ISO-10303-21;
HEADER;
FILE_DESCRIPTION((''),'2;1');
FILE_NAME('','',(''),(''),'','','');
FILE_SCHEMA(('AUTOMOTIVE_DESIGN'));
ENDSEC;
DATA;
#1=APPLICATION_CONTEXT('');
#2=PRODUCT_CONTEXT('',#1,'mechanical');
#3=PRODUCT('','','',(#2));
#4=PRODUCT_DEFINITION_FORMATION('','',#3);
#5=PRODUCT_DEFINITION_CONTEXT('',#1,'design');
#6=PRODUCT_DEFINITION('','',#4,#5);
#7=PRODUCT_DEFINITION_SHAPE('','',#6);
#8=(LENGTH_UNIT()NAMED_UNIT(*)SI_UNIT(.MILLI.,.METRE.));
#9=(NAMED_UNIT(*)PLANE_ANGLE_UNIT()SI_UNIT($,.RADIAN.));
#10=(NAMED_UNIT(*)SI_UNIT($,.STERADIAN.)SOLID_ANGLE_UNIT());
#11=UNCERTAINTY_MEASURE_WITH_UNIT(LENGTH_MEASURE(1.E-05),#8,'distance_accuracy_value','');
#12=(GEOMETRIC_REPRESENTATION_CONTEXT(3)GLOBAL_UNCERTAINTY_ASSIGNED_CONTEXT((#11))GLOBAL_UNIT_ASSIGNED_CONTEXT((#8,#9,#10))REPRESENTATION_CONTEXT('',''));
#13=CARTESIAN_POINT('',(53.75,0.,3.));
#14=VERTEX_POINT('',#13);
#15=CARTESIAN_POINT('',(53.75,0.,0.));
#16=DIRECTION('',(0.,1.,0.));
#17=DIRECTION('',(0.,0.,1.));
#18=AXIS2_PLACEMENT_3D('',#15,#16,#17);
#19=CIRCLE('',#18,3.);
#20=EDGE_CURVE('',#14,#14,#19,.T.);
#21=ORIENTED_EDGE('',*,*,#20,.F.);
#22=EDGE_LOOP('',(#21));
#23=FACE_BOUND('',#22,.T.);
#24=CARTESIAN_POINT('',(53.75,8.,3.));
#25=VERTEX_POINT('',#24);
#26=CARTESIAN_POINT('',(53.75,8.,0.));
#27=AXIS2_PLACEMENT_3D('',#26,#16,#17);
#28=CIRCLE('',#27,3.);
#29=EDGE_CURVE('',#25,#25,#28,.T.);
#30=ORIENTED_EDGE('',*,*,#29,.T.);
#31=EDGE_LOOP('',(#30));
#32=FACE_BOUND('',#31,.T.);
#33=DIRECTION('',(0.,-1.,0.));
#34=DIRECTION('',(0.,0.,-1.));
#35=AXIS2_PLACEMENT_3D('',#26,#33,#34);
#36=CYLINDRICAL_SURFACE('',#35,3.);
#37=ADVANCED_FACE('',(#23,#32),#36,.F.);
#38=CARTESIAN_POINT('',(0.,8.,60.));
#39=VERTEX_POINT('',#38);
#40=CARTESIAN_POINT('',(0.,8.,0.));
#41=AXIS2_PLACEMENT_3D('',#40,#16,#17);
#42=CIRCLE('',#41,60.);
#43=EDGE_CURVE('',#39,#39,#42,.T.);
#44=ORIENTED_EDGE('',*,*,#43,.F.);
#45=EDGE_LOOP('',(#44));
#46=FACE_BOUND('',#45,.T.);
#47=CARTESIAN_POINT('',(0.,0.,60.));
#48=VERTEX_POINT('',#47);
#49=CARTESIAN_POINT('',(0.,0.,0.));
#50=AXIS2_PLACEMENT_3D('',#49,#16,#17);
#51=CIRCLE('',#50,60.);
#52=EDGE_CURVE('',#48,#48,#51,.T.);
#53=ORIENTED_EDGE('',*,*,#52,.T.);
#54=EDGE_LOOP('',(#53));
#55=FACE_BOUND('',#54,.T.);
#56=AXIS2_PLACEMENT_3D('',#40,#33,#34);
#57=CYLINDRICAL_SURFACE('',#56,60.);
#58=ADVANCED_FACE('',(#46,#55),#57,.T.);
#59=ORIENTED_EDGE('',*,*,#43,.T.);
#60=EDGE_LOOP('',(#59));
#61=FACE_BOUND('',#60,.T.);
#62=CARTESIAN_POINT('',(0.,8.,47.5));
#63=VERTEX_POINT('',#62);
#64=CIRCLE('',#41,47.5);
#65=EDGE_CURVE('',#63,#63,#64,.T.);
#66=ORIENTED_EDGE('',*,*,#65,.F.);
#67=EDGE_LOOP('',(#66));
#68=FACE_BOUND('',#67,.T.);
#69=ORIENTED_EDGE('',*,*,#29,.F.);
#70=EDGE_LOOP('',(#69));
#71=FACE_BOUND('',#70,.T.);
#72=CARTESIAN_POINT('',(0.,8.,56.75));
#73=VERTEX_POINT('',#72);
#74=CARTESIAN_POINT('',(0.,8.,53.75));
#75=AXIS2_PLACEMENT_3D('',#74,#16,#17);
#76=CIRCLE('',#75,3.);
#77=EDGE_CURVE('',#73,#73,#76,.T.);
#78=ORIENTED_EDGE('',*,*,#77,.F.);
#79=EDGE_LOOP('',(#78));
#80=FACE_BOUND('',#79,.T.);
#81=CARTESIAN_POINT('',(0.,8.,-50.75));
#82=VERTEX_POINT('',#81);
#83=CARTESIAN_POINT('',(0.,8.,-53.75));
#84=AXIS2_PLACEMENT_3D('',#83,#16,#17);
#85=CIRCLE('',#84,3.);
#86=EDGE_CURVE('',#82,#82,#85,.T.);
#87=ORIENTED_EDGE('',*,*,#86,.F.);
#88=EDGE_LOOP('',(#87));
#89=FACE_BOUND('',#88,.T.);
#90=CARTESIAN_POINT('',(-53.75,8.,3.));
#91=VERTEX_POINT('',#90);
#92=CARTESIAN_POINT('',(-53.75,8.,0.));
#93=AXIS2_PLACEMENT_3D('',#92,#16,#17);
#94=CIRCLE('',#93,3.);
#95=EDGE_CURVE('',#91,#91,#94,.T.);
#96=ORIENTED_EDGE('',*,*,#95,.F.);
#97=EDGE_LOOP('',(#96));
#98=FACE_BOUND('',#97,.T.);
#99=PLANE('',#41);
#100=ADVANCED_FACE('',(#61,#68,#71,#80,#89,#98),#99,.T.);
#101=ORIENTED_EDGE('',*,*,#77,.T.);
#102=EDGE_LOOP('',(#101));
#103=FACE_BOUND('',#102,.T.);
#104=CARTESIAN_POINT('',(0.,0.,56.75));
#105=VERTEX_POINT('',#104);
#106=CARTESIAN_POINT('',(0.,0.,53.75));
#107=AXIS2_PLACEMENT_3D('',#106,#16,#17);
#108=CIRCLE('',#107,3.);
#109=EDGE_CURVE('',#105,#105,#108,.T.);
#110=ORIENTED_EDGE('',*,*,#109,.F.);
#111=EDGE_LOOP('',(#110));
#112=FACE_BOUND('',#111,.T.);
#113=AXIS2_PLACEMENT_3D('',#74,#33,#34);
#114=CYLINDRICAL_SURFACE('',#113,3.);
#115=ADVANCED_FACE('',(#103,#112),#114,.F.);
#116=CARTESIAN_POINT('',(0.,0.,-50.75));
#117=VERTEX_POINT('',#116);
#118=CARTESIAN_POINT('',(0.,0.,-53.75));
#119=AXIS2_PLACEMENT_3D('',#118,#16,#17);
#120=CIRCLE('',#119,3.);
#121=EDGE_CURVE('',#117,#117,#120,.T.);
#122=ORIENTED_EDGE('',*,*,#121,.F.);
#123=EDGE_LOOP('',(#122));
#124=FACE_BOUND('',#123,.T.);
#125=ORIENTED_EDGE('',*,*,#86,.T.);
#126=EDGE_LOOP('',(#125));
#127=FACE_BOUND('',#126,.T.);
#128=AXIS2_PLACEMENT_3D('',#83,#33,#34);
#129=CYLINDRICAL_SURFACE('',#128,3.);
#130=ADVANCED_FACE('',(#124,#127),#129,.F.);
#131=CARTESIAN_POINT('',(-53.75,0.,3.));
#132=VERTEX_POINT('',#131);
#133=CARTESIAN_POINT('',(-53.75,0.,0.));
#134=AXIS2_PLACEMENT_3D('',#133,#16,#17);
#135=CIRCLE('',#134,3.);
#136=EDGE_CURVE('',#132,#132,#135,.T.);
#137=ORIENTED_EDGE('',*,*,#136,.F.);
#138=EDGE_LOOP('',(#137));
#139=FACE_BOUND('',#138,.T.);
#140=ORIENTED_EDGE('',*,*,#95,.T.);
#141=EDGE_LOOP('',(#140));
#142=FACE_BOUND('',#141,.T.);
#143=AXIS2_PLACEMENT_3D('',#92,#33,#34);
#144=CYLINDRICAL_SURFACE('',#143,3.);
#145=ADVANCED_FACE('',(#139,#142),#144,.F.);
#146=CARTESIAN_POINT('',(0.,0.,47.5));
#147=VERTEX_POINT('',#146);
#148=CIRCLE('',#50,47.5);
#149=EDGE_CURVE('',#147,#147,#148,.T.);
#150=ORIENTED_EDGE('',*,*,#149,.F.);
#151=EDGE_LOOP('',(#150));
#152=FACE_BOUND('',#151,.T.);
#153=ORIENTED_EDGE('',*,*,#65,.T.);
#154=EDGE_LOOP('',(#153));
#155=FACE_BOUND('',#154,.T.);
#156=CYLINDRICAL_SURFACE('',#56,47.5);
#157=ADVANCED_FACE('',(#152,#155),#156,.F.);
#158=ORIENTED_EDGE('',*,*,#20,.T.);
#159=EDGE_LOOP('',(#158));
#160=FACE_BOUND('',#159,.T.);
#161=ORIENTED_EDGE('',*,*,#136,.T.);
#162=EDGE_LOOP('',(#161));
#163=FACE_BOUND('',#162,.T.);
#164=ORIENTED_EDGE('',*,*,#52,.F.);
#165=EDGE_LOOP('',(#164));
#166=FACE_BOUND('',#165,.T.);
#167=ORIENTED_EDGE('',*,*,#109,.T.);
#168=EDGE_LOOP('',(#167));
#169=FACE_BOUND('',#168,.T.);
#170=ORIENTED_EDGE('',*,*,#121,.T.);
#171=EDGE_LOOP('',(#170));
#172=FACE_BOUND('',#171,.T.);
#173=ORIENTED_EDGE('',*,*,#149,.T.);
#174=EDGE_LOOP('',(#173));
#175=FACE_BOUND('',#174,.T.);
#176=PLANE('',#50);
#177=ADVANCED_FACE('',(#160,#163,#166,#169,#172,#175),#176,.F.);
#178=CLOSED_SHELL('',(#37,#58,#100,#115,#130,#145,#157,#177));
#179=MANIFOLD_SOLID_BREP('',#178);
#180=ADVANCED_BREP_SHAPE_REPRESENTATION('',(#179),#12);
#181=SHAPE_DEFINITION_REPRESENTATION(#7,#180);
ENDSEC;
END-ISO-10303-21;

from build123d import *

# Parameters (mm, degrees)
SKETCH_1_R      = 60
SKETCH_1_R_2    = 47.5
SKETCH_1_R_3    = 3
EXTRUDE_1_DEPTH = 8


with BuildPart() as part:
    # 草图1 → 凸台-拉伸1 (new body)
    with BuildSketch(Plane(origin=(0, 0, 0), x_dir=(1, 0, 0), z_dir=(0, 1, 0))):
        Circle(SKETCH_1_R)
        Circle(SKETCH_1_R_2, mode=Mode.SUBTRACT)
        with Locations((53.75, 0)):
            Circle(SKETCH_1_R_3, mode=Mode.SUBTRACT)
        with Locations((0, -53.75)):
            Circle(SKETCH_1_R_3, mode=Mode.SUBTRACT)
        with Locations((-53.75, 0)):
            Circle(SKETCH_1_R_3, mode=Mode.SUBTRACT)
        with Locations((0, 53.75)):
            Circle(SKETCH_1_R_3, mode=Mode.SUBTRACT)
    extrude(amount=EXTRUDE_1_DEPTH)


solid = part.part
